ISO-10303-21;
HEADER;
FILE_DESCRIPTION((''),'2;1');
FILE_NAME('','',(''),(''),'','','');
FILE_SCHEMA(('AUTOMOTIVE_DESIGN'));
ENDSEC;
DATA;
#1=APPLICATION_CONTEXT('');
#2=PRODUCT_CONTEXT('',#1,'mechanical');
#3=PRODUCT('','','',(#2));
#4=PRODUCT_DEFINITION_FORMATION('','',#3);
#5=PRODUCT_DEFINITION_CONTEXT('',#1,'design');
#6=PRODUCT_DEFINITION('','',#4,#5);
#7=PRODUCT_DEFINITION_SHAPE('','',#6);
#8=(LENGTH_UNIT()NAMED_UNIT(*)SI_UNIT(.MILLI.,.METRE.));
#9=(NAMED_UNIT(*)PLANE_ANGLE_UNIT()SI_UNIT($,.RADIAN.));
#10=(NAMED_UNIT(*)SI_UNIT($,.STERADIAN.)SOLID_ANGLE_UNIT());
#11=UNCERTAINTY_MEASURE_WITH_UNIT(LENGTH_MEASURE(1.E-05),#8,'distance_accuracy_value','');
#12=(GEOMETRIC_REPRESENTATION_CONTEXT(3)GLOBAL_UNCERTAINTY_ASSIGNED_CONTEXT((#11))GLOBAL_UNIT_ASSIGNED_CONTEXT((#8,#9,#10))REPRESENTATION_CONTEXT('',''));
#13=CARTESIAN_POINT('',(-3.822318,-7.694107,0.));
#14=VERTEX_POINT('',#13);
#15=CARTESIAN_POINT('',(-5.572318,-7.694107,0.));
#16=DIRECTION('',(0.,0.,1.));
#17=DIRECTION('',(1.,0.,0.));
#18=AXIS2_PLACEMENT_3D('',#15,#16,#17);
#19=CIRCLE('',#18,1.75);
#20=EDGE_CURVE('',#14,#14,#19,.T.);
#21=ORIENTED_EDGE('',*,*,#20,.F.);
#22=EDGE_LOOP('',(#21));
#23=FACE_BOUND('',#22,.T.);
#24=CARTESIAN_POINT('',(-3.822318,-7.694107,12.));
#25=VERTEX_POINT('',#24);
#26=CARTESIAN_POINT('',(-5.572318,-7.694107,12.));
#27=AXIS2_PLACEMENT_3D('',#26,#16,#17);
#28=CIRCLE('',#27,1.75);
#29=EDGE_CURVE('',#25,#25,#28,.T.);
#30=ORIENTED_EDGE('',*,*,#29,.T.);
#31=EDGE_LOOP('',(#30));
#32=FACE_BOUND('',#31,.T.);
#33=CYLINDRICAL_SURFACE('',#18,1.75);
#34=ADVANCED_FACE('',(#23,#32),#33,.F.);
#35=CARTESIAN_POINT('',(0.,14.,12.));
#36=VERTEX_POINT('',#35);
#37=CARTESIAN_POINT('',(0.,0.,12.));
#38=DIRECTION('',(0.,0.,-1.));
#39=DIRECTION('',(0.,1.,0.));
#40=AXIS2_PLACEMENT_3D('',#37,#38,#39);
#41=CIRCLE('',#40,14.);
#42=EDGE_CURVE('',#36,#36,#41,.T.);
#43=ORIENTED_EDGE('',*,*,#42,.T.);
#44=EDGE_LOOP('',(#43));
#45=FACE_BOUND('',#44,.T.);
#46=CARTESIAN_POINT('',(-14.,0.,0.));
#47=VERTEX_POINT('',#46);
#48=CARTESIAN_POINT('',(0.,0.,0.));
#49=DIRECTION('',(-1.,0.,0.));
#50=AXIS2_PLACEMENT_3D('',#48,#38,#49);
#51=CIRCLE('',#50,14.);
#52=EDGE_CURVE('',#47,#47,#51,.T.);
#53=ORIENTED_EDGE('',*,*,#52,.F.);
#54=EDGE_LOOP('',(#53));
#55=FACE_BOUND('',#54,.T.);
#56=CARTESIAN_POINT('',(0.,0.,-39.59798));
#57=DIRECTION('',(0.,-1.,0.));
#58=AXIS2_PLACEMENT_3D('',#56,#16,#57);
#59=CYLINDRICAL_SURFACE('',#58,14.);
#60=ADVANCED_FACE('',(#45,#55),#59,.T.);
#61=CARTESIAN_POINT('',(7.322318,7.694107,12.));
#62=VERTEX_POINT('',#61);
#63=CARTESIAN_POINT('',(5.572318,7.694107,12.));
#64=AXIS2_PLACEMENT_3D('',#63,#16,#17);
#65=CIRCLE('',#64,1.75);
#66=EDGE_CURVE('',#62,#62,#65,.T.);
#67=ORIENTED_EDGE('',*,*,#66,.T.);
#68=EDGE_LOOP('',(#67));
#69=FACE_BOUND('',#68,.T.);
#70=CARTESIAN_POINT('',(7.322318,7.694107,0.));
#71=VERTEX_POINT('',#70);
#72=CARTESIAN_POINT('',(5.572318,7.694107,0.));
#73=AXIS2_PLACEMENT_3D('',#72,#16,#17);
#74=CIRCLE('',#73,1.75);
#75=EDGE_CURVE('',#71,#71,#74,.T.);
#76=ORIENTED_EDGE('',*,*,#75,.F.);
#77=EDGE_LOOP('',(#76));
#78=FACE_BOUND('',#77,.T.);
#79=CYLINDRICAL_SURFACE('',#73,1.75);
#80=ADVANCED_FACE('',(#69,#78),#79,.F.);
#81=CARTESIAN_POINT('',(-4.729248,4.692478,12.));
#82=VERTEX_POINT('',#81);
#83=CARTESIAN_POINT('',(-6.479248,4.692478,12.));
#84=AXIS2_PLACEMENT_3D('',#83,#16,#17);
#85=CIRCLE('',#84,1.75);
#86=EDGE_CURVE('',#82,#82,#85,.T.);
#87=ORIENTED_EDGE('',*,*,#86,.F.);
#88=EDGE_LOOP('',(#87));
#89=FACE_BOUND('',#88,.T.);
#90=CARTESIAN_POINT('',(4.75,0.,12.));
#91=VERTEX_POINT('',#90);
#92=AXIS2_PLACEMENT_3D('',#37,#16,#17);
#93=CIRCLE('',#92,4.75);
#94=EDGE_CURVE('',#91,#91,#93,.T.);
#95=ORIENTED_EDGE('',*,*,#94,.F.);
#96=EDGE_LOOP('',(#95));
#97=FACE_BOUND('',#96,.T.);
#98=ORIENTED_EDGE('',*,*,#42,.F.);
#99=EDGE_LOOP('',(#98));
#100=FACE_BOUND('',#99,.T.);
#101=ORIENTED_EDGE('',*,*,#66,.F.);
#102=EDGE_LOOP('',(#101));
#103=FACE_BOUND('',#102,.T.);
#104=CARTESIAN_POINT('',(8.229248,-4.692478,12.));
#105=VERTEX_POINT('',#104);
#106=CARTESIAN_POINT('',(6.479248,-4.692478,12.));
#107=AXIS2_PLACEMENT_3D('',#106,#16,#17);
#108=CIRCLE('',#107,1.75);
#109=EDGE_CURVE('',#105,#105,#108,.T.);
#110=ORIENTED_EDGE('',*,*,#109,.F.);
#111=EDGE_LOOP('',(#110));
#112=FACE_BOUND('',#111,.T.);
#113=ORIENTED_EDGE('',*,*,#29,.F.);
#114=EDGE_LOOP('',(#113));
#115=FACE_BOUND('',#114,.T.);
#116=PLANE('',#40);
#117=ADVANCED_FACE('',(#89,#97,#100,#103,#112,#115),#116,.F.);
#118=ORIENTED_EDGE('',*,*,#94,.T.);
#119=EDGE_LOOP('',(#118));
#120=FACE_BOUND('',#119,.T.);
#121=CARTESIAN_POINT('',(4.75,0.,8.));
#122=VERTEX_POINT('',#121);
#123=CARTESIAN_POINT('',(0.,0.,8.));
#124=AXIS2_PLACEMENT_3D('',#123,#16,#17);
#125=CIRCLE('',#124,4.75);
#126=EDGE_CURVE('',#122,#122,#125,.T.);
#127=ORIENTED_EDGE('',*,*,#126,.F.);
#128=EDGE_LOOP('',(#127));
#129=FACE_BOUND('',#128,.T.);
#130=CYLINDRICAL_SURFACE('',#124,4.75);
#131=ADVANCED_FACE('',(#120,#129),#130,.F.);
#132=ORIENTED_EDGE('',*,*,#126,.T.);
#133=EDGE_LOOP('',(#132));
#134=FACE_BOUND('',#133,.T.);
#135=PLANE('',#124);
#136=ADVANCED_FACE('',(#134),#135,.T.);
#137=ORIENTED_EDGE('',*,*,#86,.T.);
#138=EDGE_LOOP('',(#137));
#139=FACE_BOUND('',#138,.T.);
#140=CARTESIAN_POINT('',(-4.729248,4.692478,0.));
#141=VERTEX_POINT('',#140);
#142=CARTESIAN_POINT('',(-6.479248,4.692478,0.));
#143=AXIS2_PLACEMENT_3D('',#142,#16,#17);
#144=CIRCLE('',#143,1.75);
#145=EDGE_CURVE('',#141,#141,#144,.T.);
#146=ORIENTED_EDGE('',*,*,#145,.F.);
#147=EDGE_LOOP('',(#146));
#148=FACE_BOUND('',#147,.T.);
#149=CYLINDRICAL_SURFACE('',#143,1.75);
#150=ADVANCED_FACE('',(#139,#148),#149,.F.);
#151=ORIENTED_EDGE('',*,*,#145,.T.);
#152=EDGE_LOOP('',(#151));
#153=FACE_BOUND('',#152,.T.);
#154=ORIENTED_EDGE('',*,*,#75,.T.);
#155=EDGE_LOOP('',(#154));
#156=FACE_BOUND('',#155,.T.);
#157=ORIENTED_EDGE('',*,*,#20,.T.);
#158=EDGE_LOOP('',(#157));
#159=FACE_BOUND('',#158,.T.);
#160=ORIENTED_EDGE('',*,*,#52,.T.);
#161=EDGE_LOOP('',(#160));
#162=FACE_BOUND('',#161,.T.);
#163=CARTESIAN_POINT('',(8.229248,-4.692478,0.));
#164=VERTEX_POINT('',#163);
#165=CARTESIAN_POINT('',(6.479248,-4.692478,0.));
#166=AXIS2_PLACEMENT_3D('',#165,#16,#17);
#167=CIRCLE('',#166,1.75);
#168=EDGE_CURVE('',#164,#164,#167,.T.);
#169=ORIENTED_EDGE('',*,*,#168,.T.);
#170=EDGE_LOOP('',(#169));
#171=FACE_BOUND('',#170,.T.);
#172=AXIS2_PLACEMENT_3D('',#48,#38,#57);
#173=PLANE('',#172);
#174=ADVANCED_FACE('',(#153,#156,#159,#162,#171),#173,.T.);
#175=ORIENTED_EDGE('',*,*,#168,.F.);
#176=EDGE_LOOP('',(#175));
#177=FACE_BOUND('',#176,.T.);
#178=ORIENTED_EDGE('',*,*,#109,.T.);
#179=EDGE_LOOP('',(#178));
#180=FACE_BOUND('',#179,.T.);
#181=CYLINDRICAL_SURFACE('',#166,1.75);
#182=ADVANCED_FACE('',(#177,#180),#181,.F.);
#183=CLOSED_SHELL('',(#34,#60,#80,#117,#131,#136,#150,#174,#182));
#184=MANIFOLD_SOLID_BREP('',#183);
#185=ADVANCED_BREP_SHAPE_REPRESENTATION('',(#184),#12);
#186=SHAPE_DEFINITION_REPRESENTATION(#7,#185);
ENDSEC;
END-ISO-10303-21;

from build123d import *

# Parameters (mm, degrees)
SKETCH2_R           = 14
BOSS_EXTRUDE1_DEPTH = 12
SKETCH3_R           = 1.75
CUT_EXTRUDE1_DEPTH  = 13
SKETCH4_R           = 4.75
CUT_EXTRUDE2_DEPTH  = 4


with BuildPart() as part:
    # Sketch2 → Boss-Extrude1 (new body)
    with BuildSketch(Plane(origin=(0, 0, 12), x_dir=(-1, 0, 0), z_dir=(0, 0, -1))):
        Circle(SKETCH2_R)
    extrude(amount=BOSS_EXTRUDE1_DEPTH)

    # Sketch3 → Cut-Extrude1 (cut, through all)
    with BuildSketch(Plane.XY.offset(12)):
        with Locations((-6.479247663, 4.692477993)):
            Circle(SKETCH3_R)
        with Locations((5.572317617, 7.6941066)):
            Circle(SKETCH3_R)
        with Locations((6.479247663, -4.692477993)):
            Circle(SKETCH3_R)
        with Locations((-5.572317617, -7.6941066)):
            Circle(SKETCH3_R)
    extrude(amount=-CUT_EXTRUDE1_DEPTH, mode=Mode.SUBTRACT)

    # Sketch4 → Cut-Extrude2 (cut)
    with BuildSketch(Plane.XY.offset(12)):
        Circle(SKETCH4_R)
    extrude(amount=-CUT_EXTRUDE2_DEPTH, mode=Mode.SUBTRACT)


solid = part.part
